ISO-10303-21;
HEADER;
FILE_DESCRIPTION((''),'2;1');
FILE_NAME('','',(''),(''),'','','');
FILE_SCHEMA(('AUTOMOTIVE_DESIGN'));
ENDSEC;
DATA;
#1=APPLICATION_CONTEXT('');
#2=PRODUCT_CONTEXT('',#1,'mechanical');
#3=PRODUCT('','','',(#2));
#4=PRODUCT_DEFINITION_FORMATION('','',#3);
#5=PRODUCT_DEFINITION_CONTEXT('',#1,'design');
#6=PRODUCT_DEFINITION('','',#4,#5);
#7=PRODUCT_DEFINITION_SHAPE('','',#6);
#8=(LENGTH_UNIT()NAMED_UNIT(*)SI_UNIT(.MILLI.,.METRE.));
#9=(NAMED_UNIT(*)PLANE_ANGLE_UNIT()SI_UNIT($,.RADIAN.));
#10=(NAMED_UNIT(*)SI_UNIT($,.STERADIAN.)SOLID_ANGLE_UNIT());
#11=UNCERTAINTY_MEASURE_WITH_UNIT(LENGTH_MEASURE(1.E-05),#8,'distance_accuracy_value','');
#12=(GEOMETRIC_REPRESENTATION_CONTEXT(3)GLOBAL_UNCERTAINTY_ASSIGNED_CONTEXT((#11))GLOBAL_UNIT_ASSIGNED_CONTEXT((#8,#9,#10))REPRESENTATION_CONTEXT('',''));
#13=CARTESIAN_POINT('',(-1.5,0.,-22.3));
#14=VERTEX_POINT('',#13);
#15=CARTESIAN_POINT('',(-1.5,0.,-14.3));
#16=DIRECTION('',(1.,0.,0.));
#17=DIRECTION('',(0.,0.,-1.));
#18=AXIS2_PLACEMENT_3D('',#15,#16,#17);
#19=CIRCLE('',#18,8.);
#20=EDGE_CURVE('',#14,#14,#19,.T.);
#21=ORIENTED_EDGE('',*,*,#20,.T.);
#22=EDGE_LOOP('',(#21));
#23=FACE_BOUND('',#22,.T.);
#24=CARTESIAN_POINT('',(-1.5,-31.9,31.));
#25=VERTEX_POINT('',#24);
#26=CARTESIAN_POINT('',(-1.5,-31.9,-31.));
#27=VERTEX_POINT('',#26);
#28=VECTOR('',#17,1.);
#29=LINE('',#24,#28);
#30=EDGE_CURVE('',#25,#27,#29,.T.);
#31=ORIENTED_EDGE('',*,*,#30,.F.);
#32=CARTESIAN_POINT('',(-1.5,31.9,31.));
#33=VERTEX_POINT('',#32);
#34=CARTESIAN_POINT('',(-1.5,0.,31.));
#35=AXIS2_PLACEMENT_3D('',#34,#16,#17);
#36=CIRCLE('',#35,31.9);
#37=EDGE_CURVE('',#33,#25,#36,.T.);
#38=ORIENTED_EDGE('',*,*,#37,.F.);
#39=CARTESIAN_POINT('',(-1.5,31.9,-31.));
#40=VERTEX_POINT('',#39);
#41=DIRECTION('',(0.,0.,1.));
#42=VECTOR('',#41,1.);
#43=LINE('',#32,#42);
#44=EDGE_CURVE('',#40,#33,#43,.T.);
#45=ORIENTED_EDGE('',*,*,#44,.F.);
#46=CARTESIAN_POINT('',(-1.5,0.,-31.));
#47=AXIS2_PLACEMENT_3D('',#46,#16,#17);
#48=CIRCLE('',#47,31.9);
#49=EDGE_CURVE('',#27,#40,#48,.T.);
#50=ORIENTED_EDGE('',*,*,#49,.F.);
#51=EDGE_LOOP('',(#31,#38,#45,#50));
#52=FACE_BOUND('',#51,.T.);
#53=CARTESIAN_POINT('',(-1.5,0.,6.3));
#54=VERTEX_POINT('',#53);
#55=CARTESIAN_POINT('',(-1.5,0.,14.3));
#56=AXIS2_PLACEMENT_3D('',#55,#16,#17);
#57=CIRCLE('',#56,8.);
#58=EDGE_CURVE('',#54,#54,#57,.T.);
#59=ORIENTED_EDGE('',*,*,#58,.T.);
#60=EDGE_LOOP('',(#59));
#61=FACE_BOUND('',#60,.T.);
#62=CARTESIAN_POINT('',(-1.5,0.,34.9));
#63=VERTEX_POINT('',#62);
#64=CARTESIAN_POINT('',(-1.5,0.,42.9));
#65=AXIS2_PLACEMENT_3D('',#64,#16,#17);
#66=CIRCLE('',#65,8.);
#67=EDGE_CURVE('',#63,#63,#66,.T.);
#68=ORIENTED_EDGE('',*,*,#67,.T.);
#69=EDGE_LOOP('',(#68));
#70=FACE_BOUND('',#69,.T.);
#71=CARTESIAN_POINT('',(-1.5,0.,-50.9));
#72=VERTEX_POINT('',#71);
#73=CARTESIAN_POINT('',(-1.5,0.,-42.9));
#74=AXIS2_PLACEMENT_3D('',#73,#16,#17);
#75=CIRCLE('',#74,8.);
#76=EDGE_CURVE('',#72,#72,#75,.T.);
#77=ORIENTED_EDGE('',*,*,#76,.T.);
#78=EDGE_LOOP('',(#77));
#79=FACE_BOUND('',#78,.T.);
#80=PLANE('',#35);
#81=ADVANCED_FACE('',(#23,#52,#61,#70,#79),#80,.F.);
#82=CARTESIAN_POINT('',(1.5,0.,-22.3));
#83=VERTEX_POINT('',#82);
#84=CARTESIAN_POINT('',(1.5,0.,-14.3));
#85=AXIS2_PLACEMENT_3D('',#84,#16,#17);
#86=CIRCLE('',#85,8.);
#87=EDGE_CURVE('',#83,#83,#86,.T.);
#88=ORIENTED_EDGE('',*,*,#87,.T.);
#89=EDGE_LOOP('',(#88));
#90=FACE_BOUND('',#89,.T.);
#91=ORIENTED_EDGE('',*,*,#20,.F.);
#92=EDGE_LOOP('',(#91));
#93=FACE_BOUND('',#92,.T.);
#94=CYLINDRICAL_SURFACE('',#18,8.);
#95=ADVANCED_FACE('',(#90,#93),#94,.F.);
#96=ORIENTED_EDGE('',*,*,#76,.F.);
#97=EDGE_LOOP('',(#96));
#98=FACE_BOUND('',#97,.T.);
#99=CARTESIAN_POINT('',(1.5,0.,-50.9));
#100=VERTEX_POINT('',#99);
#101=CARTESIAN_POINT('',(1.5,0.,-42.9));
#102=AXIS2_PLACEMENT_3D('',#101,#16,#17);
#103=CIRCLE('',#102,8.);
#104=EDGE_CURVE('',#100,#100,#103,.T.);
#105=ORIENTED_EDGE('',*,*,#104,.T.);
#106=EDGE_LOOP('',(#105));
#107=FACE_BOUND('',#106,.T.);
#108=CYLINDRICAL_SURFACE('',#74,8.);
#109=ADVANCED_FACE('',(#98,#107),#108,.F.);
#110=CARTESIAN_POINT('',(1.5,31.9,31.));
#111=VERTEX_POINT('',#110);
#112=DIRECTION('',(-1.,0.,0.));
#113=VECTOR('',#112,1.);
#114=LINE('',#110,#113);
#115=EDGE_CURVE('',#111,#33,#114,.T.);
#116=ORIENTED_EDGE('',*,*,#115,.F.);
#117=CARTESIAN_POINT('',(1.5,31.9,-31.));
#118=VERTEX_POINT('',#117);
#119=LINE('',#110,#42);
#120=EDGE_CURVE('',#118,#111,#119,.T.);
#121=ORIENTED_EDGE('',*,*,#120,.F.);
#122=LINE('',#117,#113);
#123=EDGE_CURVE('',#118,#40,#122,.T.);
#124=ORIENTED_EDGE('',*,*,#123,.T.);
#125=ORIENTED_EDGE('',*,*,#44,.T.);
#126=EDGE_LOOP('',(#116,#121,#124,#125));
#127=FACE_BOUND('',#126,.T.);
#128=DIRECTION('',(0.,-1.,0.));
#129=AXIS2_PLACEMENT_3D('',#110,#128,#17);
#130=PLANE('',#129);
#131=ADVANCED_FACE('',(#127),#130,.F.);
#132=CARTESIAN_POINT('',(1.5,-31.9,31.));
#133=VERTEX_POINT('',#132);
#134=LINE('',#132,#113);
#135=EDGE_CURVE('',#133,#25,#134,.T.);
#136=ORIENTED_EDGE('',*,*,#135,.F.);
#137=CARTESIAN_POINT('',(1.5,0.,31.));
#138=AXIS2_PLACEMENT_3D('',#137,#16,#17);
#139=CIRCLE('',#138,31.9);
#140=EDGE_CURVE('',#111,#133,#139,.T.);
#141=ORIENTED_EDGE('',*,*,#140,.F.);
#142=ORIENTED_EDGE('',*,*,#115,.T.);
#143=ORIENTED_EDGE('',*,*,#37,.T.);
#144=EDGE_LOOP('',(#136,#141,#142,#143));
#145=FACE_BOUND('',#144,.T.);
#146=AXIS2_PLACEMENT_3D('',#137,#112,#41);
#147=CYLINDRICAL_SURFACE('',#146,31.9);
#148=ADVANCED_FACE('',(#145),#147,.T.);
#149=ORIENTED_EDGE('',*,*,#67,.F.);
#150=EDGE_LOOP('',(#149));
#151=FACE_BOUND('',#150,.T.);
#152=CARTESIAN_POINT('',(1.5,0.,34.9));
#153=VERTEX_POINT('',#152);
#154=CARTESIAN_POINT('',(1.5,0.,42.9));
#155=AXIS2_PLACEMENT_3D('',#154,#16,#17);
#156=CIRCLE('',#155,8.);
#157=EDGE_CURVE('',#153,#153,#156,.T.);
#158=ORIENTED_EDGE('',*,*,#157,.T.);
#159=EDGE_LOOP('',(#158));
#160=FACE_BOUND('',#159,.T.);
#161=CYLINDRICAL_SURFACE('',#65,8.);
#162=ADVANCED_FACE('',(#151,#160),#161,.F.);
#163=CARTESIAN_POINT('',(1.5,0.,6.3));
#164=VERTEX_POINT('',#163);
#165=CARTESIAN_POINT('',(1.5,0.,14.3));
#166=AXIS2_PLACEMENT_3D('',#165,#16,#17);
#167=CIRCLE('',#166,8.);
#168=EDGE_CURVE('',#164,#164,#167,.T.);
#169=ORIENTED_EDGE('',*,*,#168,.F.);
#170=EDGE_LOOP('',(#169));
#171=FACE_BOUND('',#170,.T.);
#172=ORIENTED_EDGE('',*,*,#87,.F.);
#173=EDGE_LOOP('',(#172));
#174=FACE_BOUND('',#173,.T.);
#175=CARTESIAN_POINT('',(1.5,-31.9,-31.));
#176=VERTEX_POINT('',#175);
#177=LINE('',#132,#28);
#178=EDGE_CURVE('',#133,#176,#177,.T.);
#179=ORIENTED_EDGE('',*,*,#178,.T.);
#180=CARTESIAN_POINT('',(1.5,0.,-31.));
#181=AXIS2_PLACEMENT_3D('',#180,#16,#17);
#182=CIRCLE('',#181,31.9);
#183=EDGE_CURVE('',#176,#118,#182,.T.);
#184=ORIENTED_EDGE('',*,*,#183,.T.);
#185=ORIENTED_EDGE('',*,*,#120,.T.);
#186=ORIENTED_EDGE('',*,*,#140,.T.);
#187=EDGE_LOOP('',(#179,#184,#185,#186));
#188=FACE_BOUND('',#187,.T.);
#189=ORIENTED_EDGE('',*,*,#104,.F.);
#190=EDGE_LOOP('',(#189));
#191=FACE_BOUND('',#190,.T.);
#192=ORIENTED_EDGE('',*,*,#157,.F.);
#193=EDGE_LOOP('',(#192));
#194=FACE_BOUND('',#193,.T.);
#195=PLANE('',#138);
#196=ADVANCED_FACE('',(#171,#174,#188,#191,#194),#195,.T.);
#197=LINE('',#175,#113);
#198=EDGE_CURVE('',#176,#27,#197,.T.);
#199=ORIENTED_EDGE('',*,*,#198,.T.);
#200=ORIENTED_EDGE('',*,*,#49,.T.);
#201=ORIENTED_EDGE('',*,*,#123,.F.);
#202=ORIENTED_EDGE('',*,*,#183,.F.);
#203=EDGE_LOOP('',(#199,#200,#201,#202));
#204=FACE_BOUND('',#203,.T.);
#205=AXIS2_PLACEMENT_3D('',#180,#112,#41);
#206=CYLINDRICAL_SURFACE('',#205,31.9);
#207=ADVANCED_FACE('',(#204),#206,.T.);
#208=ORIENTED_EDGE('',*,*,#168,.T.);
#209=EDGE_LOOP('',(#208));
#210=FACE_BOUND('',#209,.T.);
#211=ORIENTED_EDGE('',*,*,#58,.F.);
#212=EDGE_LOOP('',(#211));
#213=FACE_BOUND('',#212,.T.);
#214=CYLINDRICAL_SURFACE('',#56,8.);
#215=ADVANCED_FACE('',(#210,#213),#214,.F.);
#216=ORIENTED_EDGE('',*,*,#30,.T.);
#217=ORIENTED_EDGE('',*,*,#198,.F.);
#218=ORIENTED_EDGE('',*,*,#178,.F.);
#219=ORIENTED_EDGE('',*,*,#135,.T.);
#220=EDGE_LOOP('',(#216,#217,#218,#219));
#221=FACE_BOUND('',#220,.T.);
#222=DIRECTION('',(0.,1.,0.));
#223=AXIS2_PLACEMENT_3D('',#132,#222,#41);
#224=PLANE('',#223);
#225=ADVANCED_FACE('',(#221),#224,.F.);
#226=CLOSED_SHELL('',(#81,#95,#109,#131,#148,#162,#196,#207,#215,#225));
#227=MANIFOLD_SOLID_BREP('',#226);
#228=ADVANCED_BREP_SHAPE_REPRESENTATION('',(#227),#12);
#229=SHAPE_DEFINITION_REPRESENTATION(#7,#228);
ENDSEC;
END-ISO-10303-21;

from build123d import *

# Parameters (mm, degrees)
BOSS_EXTRUDE1_DEPTH = 1.5
SKETCH2_R           = 8
CUT_EXTRUDE1_DEPTH  = 71.590509277


with BuildPart() as part:
    # Sketch1 → Boss-Extrude1 (new, symmetric)
    with BuildSketch(Plane(origin=(0, 0, 0), x_dir=(0, 0, -1), z_dir=(1, 0, 0))):
        with BuildLine():
            Line((-31, 31.9), (31, 31.9))
            ThreePointArc((31, 31.9), (62.9, 0), (31, -31.9))
            Line((31, -31.9), (-31, -31.9))
            ThreePointArc((-31, -31.9), (-62.9, 0), (-31, 31.9))
        make_face()
    extrude(amount=BOSS_EXTRUDE1_DEPTH, both=True)

    # Sketch2 → Cut-Extrude1 (cut, through all)
    with BuildSketch(Plane(origin=(1.5, 0, 0), x_dir=(0, 0, -1), z_dir=(1, 0, 0))):
        with Locations((-14.3, 0)):
            Circle(SKETCH2_R)
        with Locations((-42.9, 0)):
            Circle(SKETCH2_R)
        with Locations((42.9, 0)):
            Circle(SKETCH2_R)
        with Locations((14.3, 0)):
            Circle(SKETCH2_R)
    extrude(amount=-CUT_EXTRUDE1_DEPTH, mode=Mode.SUBTRACT)


solid = part.part
